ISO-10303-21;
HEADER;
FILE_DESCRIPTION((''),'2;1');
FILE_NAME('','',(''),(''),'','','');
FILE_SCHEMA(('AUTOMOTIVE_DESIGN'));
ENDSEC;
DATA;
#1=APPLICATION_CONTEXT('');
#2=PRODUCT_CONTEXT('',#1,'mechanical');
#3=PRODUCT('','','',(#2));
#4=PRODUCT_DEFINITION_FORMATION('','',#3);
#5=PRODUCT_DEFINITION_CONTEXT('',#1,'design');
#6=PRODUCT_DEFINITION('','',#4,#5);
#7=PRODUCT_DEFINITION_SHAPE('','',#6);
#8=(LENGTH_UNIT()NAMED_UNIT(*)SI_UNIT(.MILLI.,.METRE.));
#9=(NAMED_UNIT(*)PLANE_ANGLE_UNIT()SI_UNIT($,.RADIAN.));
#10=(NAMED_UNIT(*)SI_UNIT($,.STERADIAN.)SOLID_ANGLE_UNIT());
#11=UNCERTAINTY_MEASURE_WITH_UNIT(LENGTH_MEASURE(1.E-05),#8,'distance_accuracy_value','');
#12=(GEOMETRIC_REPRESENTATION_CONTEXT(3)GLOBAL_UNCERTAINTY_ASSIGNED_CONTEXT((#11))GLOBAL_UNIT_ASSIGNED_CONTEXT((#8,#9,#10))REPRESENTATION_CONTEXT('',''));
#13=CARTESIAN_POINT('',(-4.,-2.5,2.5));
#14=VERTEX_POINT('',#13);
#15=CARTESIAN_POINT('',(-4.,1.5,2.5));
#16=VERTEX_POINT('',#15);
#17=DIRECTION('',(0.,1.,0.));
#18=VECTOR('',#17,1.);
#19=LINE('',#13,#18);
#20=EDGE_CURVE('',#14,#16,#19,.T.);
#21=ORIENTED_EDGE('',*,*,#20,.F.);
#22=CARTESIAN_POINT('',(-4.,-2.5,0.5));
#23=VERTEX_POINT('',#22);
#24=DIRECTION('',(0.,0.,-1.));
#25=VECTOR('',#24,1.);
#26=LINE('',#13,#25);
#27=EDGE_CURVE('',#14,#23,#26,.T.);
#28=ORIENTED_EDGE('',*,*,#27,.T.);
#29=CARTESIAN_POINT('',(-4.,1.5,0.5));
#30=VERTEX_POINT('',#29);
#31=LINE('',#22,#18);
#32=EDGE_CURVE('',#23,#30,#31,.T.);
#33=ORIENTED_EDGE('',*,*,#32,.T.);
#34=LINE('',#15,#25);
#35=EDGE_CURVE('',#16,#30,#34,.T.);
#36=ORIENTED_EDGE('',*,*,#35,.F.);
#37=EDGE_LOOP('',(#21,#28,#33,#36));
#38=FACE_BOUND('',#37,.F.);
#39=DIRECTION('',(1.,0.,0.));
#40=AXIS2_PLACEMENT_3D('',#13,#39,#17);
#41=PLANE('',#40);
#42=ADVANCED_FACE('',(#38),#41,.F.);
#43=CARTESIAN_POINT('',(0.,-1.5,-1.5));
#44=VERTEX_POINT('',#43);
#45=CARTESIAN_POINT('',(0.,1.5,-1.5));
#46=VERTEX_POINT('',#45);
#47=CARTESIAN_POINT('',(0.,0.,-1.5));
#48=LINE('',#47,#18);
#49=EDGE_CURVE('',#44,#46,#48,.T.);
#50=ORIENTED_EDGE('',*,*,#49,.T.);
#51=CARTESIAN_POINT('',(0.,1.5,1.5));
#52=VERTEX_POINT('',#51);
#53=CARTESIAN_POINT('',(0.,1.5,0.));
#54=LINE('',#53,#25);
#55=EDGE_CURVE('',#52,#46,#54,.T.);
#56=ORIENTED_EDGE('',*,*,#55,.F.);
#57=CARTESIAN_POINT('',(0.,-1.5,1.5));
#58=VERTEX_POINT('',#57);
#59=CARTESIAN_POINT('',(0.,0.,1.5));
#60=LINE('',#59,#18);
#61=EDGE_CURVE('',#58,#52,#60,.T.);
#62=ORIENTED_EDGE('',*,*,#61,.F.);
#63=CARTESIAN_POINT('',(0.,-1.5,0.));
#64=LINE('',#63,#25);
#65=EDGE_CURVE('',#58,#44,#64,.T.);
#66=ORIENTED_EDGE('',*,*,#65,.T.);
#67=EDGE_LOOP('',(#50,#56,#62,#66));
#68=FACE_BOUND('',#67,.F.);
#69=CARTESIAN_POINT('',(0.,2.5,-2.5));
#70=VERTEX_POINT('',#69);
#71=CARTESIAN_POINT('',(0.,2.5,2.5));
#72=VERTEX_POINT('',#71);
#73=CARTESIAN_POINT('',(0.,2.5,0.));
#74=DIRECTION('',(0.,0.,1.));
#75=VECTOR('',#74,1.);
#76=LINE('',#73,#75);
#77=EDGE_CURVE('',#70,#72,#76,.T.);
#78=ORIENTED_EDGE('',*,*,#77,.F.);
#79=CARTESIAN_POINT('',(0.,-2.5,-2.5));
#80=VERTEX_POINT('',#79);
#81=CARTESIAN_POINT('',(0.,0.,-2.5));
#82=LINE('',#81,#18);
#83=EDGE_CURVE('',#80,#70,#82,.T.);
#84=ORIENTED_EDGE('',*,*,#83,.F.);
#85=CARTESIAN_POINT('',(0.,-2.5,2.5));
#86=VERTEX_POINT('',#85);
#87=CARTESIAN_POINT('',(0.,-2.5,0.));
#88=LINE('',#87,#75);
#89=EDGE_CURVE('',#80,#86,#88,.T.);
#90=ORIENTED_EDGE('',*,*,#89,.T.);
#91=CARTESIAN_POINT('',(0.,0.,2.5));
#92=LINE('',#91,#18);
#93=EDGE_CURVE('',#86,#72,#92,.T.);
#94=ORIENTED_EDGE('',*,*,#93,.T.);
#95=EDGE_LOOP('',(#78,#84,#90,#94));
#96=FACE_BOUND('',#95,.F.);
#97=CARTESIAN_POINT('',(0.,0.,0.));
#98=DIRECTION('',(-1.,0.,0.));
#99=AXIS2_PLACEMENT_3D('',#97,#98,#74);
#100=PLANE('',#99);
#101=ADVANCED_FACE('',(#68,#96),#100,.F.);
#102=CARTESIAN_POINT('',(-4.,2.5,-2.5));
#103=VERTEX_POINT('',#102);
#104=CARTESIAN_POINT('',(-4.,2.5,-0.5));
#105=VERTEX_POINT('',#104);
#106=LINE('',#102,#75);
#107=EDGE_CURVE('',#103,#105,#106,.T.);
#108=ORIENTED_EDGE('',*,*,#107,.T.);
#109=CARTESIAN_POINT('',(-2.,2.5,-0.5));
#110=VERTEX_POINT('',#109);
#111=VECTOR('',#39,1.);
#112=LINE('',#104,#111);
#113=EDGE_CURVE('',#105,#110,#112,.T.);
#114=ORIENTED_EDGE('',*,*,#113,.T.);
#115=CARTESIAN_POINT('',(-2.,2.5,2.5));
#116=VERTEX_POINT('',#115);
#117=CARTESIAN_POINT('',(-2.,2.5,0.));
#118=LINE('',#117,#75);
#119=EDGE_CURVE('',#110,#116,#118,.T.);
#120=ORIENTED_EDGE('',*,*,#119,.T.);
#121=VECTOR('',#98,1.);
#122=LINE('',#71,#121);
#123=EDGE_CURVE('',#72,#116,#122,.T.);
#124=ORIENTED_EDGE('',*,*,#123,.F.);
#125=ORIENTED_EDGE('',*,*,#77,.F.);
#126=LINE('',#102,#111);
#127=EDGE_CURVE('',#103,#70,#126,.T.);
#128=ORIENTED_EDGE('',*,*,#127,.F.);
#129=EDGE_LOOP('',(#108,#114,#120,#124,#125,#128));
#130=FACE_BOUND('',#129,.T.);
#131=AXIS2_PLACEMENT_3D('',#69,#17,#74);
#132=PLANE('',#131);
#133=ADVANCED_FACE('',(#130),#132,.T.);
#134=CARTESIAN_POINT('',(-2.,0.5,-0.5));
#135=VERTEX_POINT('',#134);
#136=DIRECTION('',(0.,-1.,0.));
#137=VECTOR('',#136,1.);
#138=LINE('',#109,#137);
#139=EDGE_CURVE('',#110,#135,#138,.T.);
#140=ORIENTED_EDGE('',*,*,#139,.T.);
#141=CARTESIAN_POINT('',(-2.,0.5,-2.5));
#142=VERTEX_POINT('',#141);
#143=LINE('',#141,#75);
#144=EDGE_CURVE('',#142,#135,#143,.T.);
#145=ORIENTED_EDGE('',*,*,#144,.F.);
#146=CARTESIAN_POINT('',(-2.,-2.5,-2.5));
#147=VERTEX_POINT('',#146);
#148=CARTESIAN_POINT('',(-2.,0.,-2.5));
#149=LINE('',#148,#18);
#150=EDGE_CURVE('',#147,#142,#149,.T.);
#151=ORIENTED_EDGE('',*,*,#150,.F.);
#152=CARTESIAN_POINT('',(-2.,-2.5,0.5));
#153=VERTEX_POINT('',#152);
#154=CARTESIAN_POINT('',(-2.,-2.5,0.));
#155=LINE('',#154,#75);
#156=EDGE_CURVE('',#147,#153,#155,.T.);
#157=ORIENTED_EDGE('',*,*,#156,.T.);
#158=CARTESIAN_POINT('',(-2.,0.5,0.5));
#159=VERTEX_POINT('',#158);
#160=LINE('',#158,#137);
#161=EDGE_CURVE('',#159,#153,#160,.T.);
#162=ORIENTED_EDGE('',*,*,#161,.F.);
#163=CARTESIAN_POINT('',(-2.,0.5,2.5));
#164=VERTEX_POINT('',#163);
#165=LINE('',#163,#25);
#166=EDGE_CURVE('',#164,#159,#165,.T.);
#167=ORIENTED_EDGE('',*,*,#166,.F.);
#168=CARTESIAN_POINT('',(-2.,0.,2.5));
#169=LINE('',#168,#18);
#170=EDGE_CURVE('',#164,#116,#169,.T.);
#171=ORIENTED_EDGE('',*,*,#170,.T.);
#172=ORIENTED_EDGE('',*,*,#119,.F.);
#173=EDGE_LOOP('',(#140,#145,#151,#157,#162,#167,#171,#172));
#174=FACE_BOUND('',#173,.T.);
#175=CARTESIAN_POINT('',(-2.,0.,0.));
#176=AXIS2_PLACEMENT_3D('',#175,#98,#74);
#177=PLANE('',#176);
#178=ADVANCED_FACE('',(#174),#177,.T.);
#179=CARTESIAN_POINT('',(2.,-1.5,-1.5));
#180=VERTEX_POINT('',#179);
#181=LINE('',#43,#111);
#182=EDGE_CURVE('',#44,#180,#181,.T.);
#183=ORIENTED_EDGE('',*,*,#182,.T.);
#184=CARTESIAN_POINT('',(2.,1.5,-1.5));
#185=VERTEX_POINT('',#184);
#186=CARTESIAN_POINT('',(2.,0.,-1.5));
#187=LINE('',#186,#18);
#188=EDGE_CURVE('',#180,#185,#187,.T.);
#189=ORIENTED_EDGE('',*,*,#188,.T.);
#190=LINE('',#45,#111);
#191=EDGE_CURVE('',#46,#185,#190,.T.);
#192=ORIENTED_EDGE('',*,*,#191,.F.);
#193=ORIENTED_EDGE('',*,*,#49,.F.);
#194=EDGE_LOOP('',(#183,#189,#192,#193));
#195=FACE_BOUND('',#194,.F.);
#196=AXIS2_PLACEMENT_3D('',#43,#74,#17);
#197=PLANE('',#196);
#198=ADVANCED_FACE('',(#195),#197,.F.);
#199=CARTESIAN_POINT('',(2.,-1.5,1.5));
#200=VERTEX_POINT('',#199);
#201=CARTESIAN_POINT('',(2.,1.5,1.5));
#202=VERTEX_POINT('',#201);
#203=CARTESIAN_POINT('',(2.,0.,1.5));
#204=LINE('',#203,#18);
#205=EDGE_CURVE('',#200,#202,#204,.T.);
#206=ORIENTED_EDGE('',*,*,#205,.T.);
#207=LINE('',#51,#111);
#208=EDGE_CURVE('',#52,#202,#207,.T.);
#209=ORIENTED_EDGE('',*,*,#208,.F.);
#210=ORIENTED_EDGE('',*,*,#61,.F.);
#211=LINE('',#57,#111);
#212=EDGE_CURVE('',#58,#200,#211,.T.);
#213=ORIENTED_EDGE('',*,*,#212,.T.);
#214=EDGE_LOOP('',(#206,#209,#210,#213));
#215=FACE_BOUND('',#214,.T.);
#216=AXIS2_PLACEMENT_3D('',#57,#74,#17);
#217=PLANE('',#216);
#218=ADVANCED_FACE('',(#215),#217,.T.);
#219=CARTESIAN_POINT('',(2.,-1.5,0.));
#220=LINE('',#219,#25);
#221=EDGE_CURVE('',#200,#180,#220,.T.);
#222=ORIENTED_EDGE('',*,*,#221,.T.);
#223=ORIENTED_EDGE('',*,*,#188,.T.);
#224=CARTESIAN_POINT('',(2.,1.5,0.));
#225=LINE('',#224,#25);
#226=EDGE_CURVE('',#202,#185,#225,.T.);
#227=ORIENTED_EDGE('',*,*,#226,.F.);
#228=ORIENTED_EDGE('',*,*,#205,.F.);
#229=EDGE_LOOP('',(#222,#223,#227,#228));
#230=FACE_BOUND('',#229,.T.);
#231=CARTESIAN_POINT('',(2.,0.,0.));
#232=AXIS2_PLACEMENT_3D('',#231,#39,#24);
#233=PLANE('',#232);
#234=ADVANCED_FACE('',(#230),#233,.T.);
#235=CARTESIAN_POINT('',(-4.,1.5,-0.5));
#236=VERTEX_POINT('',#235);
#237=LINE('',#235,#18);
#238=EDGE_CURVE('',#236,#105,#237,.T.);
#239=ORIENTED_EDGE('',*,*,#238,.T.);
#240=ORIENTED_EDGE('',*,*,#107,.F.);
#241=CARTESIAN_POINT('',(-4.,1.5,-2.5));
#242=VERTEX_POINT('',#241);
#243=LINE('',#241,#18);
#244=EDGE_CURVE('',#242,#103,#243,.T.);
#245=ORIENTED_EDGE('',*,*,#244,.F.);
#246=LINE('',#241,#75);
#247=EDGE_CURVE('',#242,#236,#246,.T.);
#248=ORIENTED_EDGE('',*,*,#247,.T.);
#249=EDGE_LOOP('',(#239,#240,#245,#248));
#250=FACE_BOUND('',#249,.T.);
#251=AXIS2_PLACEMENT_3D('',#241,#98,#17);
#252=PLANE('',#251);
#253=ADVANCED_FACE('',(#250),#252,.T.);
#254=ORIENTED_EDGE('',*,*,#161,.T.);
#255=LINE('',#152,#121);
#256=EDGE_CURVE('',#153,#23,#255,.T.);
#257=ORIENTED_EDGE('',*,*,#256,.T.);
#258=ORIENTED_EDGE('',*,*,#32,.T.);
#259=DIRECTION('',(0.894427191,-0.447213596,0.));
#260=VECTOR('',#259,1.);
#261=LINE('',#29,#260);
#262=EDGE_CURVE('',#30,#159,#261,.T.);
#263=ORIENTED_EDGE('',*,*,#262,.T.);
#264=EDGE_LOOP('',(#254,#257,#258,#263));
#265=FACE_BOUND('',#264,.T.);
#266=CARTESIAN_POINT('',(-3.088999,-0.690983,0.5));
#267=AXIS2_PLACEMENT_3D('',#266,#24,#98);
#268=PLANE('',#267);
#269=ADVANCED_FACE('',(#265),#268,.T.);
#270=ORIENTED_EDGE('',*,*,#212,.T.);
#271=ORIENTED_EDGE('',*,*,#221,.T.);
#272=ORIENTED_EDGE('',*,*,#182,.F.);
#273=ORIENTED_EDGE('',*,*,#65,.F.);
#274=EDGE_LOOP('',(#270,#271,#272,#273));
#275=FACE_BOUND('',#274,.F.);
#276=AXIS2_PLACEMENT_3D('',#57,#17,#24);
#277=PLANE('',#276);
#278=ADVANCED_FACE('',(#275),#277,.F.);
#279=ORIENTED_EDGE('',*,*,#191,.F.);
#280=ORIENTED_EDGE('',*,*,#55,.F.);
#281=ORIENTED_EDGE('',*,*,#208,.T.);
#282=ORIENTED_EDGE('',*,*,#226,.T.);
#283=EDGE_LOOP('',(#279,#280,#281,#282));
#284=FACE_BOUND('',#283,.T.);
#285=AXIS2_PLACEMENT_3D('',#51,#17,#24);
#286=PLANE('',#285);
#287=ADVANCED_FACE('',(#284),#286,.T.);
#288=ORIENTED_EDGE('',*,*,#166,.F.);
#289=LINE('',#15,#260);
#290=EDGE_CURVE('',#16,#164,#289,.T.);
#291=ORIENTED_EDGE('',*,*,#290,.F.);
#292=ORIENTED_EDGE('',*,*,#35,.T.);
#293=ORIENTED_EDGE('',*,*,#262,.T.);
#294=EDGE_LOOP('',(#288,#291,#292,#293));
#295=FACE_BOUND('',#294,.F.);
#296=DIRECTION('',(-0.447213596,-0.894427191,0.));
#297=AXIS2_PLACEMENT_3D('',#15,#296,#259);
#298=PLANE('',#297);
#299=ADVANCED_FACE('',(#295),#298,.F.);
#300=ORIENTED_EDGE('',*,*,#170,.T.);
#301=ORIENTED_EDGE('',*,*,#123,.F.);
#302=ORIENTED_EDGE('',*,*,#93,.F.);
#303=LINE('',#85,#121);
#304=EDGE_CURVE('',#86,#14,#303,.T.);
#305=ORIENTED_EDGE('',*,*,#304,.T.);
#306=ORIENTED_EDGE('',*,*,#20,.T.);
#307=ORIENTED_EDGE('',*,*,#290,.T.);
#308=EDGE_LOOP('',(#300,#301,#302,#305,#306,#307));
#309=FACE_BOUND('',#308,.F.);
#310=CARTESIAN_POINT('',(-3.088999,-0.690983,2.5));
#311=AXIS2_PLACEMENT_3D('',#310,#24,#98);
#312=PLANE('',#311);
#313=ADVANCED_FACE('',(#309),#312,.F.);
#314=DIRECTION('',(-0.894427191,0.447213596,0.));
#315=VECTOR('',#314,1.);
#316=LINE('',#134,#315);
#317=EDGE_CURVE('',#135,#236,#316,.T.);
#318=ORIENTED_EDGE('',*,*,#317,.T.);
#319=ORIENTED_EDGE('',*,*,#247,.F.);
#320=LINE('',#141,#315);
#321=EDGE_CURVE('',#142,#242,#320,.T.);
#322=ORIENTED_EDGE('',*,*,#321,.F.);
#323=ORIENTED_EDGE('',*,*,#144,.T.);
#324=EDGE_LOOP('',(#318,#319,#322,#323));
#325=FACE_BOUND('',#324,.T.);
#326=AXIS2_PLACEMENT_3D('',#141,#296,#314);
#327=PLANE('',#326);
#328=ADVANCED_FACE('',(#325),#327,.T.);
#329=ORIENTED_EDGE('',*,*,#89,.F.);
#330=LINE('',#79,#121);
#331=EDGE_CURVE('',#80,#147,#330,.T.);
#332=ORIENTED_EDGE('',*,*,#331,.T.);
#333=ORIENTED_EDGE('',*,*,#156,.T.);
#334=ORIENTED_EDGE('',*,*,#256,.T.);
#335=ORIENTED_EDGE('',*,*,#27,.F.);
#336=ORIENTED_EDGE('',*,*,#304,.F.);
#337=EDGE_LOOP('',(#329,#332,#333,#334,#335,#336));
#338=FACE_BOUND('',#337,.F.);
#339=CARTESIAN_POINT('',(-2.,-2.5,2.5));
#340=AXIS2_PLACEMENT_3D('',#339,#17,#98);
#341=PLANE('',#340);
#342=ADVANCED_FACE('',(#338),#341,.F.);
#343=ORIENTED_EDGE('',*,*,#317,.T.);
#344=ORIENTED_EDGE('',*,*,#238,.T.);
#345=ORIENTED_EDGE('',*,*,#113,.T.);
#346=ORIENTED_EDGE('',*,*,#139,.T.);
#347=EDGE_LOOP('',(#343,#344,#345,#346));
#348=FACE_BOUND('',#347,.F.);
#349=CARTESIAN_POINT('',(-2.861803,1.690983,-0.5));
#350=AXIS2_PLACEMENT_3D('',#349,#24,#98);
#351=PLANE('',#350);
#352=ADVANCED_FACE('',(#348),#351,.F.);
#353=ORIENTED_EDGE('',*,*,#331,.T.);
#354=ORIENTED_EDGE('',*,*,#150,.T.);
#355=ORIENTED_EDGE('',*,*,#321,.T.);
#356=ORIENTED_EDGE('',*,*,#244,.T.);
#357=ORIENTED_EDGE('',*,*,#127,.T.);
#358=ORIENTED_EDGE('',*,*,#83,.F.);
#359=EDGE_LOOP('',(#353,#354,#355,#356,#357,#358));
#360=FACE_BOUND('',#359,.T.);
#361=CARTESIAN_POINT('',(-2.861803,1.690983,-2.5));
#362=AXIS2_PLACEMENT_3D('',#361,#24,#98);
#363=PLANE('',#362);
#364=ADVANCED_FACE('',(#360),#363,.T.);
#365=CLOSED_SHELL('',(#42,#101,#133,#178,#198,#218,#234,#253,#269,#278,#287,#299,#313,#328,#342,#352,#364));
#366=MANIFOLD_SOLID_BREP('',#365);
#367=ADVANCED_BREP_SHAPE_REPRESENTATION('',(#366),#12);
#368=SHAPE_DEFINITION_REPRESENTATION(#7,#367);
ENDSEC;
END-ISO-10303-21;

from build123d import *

# Parameters (mm, degrees)
SKETCH1_W           = 3
SKETCH1_H           = 3
BOSS_EXTRUDE1_DEPTH = 2
SKETCH2_W           = 5
SKETCH2_H           = 5
BOSS_EXTRUDE2_DEPTH = 2
BOSS_EXTRUDE3_DEPTH = 2
BOSS_EXTRUDE4_DEPTH = 2


with BuildPart() as part:
    # Sketch1 → Boss-Extrude1 (new body)
    with BuildSketch(Plane(origin=(0, 0, 0), x_dir=(0, 0, -1), z_dir=(1, 0, 0))):
        Rectangle(SKETCH1_W, SKETCH1_H)
    extrude(amount=BOSS_EXTRUDE1_DEPTH)

    # Sketch2 → Boss-Extrude2 (add)
    with BuildSketch(Plane.ZY):
        Rectangle(SKETCH2_W, SKETCH2_H)
    extrude(amount=BOSS_EXTRUDE2_DEPTH)

    # Sketch4 → Boss-Extrude3 (add)
    with BuildSketch(Plane.XY.offset(2.5)):
        Polygon((-2, -2.5), (-4, -2.5), (-4, 1.5), (-2, 0.5), align=None)
    extrude(amount=-BOSS_EXTRUDE3_DEPTH)

    # Sketch5 → Boss-Extrude4 (add)
    with BuildSketch(Plane(origin=(0, 0, -2.5), x_dir=(-1, 0, 0), z_dir=(0, 0, -1))):
        Polygon((2, 2.5), (2, 0.5), (4, 1.5), (4, 2.5), align=None)
    extrude(amount=-BOSS_EXTRUDE4_DEPTH)


solid = part.part
